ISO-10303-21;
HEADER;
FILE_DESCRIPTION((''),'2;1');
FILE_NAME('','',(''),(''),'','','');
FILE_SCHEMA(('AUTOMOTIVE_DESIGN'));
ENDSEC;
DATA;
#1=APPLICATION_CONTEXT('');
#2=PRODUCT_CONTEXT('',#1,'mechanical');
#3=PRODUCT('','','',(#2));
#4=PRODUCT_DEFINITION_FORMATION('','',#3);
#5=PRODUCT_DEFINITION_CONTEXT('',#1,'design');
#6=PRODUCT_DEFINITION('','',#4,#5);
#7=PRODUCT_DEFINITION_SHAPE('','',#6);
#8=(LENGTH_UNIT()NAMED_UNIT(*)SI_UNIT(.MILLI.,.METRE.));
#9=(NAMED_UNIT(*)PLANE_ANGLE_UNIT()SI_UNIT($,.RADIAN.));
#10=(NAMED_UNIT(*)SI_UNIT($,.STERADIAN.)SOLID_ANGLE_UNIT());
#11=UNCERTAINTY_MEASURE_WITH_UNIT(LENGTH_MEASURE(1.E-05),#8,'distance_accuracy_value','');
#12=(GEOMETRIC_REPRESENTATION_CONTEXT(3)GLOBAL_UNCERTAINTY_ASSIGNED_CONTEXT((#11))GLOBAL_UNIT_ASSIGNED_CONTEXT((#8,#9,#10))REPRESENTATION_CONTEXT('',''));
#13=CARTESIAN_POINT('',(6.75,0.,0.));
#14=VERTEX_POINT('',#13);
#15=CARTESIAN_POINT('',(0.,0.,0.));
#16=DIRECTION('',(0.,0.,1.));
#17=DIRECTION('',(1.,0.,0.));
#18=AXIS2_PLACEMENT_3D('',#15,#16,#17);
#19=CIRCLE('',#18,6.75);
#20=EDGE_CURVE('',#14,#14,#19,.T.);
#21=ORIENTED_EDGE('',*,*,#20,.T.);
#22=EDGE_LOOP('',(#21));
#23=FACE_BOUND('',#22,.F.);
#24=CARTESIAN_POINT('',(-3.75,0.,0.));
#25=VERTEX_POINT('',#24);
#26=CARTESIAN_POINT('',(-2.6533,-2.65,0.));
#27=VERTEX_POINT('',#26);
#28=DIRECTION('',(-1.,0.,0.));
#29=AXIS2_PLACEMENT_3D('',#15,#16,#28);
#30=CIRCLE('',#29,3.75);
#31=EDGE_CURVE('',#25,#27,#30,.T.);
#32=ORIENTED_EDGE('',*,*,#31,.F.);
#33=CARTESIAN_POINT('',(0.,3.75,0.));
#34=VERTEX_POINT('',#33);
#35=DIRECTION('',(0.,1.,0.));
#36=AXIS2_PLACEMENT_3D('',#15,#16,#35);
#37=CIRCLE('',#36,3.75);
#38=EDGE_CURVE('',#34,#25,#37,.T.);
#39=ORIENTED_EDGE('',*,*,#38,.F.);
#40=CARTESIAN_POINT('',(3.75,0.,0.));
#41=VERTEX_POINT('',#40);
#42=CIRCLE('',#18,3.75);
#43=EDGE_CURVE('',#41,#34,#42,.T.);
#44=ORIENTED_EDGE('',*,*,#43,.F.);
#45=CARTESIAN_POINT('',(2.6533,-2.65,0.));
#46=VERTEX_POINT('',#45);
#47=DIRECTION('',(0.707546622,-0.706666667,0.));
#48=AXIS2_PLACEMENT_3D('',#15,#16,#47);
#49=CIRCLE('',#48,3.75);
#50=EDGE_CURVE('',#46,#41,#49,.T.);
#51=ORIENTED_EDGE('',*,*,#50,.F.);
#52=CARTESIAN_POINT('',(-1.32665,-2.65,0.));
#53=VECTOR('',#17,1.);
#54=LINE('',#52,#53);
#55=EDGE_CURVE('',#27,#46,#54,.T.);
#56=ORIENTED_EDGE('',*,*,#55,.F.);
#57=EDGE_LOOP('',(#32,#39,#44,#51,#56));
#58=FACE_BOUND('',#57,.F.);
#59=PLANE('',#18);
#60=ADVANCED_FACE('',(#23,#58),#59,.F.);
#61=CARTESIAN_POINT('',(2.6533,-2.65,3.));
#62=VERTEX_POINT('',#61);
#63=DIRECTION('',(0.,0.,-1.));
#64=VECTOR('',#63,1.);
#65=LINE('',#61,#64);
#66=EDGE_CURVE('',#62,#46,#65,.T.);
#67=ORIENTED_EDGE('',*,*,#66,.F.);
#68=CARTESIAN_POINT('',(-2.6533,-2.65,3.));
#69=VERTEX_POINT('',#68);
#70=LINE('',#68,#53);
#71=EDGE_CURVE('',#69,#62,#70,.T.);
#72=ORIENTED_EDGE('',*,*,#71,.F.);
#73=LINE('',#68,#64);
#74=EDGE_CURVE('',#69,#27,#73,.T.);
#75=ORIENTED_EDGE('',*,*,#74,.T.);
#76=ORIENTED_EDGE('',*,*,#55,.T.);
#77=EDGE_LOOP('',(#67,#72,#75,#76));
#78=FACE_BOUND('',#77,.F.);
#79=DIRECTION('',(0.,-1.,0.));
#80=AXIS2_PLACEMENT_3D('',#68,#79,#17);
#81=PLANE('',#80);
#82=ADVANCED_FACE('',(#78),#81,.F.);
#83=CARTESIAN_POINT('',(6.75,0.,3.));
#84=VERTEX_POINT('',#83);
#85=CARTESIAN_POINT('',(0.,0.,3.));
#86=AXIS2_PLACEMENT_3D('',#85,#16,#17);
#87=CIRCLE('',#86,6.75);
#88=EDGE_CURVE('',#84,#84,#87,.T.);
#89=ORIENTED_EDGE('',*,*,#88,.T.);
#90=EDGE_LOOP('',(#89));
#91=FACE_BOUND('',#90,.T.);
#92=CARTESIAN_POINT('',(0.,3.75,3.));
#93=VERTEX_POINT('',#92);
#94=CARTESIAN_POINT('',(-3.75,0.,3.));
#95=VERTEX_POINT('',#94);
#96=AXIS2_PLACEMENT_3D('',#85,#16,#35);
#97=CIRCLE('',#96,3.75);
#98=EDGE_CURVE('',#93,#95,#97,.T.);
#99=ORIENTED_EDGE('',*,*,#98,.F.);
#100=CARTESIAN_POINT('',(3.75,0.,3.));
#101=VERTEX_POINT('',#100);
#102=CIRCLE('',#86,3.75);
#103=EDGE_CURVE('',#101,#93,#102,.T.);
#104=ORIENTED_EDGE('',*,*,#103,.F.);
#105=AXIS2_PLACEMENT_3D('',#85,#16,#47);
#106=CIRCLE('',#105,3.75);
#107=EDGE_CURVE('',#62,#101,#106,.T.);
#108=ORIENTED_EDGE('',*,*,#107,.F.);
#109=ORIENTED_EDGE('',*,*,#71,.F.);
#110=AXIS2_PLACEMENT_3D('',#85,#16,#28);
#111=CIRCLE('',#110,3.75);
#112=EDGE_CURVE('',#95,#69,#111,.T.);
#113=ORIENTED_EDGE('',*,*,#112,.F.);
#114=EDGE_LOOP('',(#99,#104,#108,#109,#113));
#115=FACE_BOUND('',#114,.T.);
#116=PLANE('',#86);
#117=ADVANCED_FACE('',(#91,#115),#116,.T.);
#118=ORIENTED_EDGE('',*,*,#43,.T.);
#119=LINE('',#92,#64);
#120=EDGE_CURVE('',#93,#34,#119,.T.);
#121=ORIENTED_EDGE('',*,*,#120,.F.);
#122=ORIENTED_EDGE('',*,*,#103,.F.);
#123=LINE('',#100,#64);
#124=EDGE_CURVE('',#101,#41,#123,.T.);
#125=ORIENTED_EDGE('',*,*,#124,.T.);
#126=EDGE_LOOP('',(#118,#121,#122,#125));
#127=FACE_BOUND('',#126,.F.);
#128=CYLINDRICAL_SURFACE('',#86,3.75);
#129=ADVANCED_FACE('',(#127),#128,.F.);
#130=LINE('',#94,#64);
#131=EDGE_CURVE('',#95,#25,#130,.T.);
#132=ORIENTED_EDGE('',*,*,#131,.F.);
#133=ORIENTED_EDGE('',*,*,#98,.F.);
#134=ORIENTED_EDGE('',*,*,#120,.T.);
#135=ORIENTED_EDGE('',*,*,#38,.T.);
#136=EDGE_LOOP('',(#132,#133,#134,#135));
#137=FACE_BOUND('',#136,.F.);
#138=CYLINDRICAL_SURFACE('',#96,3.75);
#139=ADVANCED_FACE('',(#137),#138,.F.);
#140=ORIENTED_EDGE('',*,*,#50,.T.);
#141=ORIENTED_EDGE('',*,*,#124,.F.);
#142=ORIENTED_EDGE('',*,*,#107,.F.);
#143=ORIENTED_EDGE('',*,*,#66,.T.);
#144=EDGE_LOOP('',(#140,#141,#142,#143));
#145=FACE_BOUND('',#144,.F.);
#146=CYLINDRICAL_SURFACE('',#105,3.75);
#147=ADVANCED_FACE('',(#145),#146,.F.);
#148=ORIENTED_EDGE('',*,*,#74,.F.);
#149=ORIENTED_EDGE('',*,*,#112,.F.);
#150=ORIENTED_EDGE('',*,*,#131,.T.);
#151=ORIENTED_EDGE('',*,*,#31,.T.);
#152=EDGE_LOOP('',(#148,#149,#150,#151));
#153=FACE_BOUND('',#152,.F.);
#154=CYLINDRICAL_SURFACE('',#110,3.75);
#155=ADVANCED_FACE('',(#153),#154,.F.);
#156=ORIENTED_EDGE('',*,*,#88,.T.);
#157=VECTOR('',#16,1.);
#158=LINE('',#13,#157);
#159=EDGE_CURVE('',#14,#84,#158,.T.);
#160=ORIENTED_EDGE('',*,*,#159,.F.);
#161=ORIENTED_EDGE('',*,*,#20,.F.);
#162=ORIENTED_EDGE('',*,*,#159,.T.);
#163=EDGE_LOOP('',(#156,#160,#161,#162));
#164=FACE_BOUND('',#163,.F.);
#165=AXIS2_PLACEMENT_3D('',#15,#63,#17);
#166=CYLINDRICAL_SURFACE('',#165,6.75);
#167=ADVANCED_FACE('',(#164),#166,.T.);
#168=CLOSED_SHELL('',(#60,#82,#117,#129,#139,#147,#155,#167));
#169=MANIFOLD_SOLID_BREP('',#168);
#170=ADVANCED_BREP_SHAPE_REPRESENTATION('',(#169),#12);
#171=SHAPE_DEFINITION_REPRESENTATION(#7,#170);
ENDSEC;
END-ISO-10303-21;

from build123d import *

# Parameters (mm, degrees)
F0_R     = 6.75
F1_DEPTH = 3
F3_DEPTH = 25


with BuildPart() as f1:
    # F0 (on Top) → F1 (new body)
    with BuildSketch(Plane.XY):
        Circle(F0_R)
    extrude(amount=F1_DEPTH)

    # F2 (on face) → F3 (cut)
    with BuildSketch(Plane.XY.offset(3)):
        with BuildLine():
            ThreePointArc((3.75, 0), (2.6516504294, 2.6516504294), (0, 3.75))
            ThreePointArc((0, 3.75), (-2.6516504294, 2.6516504294), (-3.75, 0))
            ThreePointArc((-3.75, 0), (-3.4649945434, -1.4339849422), (-2.6532998323, -2.65))
            Line((-2.6532998323, -2.65), (2.6532998323, -2.65))
            ThreePointArc((2.6532998323, -2.65), (3.4649945434, -1.4339849422), (3.75, 0))
        make_face()
    extrude(amount=-F3_DEPTH, mode=Mode.SUBTRACT)


solid = f1.part
